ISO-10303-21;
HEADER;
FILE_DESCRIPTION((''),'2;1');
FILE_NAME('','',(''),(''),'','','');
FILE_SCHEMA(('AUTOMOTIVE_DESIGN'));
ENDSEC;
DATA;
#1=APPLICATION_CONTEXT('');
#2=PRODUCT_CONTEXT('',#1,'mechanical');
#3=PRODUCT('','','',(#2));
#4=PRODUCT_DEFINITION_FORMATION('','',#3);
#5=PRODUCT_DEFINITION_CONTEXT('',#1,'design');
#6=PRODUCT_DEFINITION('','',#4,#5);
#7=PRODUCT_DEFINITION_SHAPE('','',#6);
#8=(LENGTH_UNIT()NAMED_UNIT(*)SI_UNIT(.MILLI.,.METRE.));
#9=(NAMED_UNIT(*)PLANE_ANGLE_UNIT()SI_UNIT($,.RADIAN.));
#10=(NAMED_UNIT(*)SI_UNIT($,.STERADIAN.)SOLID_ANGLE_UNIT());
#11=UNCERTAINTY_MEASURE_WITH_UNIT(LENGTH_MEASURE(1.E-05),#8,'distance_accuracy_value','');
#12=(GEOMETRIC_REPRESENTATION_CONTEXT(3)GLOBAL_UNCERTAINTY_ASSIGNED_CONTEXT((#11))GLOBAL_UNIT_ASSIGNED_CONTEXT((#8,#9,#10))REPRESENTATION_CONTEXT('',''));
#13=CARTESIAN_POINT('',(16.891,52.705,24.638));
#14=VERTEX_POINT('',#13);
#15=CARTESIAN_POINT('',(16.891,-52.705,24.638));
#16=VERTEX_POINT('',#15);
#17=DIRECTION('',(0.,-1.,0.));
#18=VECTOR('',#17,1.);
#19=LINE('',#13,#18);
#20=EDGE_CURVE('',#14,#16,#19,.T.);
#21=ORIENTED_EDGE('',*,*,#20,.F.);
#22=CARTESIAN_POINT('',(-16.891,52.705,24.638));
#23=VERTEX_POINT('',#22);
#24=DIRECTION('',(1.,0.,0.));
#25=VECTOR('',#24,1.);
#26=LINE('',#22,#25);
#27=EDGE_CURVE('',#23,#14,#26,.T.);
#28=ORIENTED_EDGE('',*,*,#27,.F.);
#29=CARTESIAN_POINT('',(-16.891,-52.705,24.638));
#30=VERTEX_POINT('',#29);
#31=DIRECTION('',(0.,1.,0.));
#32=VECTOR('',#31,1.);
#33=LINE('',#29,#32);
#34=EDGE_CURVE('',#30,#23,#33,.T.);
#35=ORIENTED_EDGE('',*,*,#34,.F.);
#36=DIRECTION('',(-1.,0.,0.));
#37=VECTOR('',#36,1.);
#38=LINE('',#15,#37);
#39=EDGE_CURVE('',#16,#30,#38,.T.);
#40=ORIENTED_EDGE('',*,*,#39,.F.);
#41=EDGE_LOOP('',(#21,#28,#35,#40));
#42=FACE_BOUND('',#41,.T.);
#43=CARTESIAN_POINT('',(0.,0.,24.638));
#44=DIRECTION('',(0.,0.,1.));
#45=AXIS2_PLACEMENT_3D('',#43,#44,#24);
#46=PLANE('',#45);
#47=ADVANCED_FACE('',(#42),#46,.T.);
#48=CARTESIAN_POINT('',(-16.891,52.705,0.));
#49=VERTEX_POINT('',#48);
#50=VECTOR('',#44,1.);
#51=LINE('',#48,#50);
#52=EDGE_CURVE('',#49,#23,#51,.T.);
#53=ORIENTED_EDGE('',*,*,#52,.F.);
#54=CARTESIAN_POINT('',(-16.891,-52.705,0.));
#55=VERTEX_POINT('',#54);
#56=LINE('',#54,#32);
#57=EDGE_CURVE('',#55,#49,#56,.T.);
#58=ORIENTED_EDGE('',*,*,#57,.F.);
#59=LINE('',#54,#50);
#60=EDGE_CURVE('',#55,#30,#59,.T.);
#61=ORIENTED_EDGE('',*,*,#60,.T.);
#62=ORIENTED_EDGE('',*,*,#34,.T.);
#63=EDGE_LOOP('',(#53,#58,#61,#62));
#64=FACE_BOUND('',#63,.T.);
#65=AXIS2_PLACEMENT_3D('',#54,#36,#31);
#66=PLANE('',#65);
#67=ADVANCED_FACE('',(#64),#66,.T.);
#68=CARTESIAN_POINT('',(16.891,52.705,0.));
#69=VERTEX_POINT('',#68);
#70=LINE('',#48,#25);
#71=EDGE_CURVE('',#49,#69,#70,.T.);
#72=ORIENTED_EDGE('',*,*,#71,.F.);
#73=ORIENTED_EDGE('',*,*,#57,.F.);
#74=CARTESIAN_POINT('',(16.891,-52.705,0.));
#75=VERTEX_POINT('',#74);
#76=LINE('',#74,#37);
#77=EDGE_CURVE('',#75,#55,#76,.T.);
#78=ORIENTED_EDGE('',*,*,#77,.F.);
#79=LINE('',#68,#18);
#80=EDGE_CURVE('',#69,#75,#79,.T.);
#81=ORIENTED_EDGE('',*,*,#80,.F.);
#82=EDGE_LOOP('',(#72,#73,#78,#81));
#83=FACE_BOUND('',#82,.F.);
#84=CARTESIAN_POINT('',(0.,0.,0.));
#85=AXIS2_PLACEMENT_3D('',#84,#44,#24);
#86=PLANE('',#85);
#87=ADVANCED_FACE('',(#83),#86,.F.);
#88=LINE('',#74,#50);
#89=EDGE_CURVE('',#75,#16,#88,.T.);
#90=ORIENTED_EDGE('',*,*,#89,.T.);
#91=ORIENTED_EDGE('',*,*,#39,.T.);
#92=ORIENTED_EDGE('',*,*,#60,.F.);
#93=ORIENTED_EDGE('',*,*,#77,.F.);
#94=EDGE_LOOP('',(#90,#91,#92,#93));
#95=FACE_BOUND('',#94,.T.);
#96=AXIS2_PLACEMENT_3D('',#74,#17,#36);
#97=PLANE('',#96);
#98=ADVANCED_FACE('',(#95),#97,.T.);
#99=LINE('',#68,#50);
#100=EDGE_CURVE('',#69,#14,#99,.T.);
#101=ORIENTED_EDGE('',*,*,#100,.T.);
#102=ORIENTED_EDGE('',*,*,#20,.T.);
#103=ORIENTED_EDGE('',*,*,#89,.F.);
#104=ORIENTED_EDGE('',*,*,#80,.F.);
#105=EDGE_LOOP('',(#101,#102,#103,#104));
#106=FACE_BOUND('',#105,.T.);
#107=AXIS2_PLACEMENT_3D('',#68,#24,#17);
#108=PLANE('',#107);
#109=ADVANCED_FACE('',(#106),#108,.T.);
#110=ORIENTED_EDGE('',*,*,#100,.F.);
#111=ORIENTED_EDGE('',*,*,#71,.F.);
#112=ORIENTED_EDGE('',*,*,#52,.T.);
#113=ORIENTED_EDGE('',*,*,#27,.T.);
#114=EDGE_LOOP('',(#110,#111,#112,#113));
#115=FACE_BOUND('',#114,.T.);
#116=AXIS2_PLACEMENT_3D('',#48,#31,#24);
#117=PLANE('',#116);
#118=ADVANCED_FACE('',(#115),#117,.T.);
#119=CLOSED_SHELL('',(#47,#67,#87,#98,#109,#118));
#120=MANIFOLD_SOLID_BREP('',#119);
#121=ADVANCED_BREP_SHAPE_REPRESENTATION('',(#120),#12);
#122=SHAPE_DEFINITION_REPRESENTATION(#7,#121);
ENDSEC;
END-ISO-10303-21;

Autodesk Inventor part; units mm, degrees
ref_plane "YZ Plane" through (0, 0, 0) normal (1, 0, 0) x (0, 1, 0)
ref_plane "XZ Plane" through (0, 0, 0) normal (0, 1, 0) x (-1, 0, 0)
ref_plane "XY Plane" through (0, 0, 0) normal (0, 0, 1) x (1, 0, 0)
sketch "Sketch1" plane through (0, 0, 0) normal (0, 0, 1) x (1, 0, 0)
  line L0 (16.891, -52.705) -> (-16.891, -52.705)
  line L1 (-16.891, -52.705) -> (-16.891, 52.705)
  line L2 (-16.891, 52.705) -> (16.891, 52.705)
  line L3 (16.891, 52.705) -> (16.891, -52.705)
  point P0 (0, 0)
  point P1 (-16.891, 0)
  point P2 (0, 52.705)
  dimension "d0" = 105.41
  dimension "d1" = 33.782
extrude "Extrusion1" add sketch "Sketch1" along normal blind 24.638
properties part number "Battery - 3S 2200mAh"
